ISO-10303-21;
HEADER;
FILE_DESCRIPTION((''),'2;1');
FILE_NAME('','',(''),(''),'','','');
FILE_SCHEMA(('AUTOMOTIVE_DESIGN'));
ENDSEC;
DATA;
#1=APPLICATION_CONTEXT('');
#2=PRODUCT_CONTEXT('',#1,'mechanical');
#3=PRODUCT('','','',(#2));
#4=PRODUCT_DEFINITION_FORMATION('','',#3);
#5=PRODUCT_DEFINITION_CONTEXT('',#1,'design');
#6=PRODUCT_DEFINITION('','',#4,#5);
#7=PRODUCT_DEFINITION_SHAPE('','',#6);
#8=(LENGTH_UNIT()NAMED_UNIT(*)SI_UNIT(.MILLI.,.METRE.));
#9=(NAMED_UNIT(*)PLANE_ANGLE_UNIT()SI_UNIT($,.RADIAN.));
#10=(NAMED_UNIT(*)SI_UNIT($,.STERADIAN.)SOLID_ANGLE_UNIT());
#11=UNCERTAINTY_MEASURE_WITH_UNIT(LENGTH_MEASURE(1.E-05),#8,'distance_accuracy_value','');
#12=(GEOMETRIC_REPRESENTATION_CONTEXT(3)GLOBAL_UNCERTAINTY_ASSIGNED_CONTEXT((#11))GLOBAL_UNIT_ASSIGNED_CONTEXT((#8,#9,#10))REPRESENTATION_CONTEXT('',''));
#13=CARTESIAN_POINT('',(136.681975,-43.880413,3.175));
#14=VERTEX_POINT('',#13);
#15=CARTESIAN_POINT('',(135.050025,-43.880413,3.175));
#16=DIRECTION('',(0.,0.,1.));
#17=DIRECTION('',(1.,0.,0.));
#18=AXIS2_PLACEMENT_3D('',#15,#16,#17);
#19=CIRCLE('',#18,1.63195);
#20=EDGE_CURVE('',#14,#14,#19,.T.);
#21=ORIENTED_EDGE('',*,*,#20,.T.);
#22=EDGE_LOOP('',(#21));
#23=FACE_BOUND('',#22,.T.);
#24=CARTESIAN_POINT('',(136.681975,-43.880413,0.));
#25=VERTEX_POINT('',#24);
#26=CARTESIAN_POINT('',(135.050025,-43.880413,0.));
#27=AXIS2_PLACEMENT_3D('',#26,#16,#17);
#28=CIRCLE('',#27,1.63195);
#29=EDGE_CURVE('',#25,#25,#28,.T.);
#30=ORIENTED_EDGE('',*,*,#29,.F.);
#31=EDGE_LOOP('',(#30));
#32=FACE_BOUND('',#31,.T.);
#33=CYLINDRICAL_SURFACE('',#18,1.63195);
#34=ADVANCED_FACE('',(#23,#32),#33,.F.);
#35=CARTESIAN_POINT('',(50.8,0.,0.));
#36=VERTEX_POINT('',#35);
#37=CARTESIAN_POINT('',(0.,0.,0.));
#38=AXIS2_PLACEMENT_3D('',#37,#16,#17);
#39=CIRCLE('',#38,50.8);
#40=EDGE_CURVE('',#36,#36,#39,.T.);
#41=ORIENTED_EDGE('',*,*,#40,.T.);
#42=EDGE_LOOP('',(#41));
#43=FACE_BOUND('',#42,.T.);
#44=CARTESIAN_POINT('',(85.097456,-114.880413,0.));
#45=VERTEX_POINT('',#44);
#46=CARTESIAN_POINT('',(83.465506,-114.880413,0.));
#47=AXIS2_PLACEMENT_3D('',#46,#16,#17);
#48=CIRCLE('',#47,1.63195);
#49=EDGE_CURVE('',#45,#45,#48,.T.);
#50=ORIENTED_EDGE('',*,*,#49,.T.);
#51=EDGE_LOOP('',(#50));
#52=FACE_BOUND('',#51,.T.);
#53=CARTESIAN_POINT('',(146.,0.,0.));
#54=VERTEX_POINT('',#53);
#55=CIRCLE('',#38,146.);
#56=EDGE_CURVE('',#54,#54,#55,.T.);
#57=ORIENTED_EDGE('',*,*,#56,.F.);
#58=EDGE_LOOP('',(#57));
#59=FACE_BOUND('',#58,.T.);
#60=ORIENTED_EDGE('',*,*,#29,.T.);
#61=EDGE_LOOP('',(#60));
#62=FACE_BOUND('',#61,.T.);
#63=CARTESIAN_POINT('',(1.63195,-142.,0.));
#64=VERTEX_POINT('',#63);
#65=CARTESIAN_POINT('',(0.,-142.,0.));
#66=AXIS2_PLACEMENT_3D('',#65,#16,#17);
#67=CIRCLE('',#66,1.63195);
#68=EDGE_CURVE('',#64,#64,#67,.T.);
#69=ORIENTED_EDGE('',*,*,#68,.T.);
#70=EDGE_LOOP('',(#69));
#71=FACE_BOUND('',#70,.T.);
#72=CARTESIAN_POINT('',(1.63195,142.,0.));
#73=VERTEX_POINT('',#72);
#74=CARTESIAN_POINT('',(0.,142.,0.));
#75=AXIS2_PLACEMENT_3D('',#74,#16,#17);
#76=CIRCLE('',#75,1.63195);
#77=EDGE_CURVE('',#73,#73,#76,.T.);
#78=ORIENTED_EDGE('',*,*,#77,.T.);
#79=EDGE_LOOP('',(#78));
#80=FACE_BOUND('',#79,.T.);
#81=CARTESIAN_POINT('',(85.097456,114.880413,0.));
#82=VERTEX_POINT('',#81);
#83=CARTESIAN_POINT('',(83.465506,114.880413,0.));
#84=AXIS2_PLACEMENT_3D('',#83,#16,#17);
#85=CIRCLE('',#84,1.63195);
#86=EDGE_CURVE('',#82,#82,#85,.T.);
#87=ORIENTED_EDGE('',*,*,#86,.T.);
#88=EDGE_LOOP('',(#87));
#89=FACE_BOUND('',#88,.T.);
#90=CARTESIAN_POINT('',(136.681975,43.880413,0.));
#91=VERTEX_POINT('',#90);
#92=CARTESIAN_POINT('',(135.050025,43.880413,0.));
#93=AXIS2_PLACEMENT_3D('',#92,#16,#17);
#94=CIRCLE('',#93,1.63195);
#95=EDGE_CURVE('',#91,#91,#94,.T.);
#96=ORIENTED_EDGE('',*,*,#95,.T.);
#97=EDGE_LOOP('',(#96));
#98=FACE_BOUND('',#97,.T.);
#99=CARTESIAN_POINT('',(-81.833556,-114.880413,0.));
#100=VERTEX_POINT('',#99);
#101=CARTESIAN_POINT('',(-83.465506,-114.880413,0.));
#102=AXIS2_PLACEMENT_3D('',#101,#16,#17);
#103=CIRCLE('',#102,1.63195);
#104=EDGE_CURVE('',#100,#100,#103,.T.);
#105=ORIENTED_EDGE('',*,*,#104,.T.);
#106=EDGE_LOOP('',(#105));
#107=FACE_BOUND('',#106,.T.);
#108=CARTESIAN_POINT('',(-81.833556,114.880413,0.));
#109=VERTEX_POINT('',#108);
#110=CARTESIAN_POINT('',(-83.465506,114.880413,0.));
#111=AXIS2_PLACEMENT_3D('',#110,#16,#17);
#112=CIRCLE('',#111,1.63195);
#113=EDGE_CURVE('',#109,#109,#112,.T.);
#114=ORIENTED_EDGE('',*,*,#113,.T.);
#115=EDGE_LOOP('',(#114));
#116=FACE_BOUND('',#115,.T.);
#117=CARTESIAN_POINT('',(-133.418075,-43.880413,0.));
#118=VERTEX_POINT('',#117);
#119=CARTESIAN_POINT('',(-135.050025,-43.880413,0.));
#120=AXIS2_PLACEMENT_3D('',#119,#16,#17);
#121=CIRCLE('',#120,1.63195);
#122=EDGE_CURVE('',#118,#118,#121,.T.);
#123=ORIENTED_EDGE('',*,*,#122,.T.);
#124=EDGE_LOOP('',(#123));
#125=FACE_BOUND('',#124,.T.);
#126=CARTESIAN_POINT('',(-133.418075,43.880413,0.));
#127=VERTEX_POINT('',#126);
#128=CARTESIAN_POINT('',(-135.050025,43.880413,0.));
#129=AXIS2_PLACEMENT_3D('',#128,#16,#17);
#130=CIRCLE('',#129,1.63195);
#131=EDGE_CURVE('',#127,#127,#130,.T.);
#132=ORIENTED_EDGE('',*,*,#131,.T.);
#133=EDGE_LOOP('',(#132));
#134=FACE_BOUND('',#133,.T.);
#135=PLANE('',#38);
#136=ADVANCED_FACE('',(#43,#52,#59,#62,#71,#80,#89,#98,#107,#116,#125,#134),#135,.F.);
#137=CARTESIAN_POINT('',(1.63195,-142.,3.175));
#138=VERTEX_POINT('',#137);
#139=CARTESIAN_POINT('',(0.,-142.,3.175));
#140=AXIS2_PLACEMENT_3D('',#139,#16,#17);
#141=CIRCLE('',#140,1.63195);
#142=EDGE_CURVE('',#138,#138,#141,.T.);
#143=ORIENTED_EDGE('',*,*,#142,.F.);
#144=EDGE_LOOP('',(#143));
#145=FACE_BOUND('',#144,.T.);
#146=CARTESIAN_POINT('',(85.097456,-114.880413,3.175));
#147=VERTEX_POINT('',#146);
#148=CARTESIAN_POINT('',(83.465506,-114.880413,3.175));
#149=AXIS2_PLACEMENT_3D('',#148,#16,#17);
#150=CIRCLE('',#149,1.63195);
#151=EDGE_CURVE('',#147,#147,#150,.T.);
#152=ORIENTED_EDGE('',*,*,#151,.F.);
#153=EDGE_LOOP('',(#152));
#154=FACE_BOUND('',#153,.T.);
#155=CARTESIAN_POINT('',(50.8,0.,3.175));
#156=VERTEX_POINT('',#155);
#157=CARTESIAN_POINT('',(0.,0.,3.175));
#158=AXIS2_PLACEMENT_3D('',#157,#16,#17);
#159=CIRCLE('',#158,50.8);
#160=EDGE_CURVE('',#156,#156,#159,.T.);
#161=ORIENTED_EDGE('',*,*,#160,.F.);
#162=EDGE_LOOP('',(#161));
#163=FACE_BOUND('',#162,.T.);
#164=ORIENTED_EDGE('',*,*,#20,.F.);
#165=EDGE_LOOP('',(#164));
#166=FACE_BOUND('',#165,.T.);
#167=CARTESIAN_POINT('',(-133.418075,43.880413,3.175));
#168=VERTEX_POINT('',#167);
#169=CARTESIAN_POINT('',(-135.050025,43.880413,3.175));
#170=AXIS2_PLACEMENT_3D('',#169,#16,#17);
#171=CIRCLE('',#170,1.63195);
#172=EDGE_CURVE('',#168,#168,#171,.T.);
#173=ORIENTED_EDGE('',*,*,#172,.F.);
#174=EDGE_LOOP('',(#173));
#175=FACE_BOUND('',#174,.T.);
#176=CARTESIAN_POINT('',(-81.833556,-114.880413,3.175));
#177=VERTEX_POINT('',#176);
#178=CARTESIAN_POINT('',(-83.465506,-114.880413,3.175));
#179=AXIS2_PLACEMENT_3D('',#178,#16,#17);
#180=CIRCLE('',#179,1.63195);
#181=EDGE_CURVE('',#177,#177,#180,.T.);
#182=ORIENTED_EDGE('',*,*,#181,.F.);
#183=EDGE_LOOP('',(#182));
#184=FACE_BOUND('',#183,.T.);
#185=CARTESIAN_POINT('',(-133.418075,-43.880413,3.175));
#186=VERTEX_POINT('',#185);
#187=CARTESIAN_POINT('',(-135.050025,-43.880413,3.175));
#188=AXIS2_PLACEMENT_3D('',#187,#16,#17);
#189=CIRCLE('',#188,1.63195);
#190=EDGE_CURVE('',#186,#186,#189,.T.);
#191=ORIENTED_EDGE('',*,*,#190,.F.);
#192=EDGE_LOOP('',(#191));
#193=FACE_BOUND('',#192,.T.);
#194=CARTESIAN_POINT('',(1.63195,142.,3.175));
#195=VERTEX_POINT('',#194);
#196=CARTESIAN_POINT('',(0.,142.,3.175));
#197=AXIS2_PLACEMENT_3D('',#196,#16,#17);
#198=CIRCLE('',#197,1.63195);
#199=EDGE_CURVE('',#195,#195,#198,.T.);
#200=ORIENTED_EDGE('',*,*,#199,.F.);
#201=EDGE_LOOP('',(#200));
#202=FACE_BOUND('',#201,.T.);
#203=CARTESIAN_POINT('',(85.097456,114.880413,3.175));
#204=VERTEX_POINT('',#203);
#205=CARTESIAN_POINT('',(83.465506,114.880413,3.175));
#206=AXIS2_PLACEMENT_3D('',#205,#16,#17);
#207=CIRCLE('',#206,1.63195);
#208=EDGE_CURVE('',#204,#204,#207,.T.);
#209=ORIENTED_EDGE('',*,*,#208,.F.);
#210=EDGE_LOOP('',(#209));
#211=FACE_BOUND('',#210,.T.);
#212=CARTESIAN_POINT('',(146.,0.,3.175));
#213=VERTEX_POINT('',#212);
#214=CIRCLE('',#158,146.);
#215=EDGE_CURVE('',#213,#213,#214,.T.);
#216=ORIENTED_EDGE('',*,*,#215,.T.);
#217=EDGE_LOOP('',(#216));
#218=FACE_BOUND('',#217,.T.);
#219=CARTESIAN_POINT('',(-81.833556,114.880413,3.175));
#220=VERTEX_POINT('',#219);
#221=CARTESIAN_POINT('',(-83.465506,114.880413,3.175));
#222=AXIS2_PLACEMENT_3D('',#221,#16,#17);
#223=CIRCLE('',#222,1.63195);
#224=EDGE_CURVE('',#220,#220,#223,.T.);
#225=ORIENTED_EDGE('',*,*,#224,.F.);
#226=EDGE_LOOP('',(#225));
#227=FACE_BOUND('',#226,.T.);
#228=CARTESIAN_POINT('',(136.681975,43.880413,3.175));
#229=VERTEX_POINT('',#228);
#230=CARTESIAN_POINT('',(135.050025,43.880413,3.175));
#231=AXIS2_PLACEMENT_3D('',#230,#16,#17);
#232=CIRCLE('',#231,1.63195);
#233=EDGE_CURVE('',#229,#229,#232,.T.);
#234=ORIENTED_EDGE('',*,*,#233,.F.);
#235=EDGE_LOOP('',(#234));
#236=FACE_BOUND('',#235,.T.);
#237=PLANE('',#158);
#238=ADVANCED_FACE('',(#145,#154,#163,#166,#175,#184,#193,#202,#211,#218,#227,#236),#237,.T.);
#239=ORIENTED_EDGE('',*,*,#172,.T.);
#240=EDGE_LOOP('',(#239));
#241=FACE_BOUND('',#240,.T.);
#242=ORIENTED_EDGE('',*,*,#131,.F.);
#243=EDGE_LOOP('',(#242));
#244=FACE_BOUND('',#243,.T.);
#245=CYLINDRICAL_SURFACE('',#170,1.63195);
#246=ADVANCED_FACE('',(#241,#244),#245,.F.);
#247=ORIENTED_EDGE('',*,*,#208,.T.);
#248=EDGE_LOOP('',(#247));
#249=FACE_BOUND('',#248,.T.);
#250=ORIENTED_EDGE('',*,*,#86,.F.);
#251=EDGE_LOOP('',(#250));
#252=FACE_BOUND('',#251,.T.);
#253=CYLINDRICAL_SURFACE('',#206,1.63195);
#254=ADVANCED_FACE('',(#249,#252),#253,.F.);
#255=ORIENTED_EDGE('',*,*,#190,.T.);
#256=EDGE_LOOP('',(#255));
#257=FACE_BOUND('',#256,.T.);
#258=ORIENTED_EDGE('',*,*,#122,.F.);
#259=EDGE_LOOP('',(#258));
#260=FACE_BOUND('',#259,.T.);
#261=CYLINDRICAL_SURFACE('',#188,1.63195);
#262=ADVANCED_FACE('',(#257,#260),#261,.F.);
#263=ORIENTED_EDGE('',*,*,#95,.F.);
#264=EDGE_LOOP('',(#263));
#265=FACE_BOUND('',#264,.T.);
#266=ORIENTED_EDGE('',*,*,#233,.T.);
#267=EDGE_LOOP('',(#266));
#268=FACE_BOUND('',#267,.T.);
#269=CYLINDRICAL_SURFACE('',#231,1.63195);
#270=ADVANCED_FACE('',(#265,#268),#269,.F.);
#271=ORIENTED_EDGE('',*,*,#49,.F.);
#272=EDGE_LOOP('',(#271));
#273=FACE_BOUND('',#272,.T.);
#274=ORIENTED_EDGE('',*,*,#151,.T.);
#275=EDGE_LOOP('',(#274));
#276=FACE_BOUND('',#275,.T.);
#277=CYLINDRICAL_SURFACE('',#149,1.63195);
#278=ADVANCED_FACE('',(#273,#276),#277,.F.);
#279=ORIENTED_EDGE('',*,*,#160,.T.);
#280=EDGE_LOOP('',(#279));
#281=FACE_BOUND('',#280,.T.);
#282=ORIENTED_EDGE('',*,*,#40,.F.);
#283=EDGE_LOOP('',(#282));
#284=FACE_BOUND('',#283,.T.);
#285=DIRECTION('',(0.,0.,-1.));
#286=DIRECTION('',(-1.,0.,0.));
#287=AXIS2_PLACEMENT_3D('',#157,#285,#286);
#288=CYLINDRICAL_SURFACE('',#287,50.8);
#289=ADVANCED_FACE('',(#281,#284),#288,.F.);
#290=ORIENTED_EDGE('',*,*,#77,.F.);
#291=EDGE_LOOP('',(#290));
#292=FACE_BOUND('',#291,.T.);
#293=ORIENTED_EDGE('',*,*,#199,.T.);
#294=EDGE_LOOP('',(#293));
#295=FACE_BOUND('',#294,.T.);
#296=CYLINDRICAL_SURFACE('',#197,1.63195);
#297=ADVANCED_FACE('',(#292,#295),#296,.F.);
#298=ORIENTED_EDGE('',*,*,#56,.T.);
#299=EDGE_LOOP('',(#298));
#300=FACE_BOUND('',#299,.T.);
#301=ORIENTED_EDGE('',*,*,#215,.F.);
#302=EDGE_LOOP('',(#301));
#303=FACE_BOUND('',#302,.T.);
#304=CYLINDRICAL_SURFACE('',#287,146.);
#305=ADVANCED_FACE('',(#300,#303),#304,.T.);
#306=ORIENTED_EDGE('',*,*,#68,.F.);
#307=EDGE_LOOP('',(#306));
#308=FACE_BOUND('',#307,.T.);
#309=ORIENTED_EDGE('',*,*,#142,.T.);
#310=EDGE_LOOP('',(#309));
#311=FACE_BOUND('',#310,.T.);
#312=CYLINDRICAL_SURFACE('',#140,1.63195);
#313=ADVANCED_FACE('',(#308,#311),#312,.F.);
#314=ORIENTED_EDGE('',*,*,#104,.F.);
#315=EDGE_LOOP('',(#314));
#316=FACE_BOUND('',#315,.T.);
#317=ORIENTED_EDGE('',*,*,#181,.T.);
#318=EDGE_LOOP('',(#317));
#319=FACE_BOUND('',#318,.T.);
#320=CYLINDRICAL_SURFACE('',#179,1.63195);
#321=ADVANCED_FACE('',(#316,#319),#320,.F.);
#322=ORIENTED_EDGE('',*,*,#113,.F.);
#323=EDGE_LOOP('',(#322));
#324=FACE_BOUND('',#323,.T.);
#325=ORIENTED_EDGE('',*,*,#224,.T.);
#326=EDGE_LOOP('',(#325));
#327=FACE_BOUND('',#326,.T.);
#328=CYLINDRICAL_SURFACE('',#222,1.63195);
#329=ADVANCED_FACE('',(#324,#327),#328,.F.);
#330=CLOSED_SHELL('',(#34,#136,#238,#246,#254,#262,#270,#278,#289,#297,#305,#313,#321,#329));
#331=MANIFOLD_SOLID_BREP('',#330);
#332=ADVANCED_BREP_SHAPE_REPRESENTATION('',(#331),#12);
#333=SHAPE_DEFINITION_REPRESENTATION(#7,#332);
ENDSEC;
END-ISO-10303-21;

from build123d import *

# Parameters (mm, degrees)
SKETCH1_R             = 146
SKETCH1_R_2           = 50.8
BOSS_EXTRUDE1_DEPTH   = 3.175
F_4_CLEARANCE_HOLE1_D = 3.2639
CIRPATTERN1_COUNT     = 10


with BuildPart() as part:
    # Sketch1 → Boss-Extrude1 (new body)
    with BuildSketch(Plane.XY):
        Circle(SKETCH1_R)
        Circle(SKETCH1_R_2, mode=Mode.SUBTRACT)
    extrude(amount=BOSS_EXTRUDE1_DEPTH)

    # #4 Clearance Hole1 (through all)
    with Locations(Plane.XY.offset(3.175)):
        with Locations((0, 142)):
            f_4_clearance_hole1 = Hole(F_4_CLEARANCE_HOLE1_D / 2)

    # CirPattern1: #4 Clearance Hole1 ×10 about axis
    cirpattern1_axis = Axis((0, 0, 0), (0, 0, 1))
    for i in range(1, CIRPATTERN1_COUNT):
        add(f_4_clearance_hole1.rotate(cirpattern1_axis, i * 360 / CIRPATTERN1_COUNT), mode=Mode.SUBTRACT)


solid = part.part
